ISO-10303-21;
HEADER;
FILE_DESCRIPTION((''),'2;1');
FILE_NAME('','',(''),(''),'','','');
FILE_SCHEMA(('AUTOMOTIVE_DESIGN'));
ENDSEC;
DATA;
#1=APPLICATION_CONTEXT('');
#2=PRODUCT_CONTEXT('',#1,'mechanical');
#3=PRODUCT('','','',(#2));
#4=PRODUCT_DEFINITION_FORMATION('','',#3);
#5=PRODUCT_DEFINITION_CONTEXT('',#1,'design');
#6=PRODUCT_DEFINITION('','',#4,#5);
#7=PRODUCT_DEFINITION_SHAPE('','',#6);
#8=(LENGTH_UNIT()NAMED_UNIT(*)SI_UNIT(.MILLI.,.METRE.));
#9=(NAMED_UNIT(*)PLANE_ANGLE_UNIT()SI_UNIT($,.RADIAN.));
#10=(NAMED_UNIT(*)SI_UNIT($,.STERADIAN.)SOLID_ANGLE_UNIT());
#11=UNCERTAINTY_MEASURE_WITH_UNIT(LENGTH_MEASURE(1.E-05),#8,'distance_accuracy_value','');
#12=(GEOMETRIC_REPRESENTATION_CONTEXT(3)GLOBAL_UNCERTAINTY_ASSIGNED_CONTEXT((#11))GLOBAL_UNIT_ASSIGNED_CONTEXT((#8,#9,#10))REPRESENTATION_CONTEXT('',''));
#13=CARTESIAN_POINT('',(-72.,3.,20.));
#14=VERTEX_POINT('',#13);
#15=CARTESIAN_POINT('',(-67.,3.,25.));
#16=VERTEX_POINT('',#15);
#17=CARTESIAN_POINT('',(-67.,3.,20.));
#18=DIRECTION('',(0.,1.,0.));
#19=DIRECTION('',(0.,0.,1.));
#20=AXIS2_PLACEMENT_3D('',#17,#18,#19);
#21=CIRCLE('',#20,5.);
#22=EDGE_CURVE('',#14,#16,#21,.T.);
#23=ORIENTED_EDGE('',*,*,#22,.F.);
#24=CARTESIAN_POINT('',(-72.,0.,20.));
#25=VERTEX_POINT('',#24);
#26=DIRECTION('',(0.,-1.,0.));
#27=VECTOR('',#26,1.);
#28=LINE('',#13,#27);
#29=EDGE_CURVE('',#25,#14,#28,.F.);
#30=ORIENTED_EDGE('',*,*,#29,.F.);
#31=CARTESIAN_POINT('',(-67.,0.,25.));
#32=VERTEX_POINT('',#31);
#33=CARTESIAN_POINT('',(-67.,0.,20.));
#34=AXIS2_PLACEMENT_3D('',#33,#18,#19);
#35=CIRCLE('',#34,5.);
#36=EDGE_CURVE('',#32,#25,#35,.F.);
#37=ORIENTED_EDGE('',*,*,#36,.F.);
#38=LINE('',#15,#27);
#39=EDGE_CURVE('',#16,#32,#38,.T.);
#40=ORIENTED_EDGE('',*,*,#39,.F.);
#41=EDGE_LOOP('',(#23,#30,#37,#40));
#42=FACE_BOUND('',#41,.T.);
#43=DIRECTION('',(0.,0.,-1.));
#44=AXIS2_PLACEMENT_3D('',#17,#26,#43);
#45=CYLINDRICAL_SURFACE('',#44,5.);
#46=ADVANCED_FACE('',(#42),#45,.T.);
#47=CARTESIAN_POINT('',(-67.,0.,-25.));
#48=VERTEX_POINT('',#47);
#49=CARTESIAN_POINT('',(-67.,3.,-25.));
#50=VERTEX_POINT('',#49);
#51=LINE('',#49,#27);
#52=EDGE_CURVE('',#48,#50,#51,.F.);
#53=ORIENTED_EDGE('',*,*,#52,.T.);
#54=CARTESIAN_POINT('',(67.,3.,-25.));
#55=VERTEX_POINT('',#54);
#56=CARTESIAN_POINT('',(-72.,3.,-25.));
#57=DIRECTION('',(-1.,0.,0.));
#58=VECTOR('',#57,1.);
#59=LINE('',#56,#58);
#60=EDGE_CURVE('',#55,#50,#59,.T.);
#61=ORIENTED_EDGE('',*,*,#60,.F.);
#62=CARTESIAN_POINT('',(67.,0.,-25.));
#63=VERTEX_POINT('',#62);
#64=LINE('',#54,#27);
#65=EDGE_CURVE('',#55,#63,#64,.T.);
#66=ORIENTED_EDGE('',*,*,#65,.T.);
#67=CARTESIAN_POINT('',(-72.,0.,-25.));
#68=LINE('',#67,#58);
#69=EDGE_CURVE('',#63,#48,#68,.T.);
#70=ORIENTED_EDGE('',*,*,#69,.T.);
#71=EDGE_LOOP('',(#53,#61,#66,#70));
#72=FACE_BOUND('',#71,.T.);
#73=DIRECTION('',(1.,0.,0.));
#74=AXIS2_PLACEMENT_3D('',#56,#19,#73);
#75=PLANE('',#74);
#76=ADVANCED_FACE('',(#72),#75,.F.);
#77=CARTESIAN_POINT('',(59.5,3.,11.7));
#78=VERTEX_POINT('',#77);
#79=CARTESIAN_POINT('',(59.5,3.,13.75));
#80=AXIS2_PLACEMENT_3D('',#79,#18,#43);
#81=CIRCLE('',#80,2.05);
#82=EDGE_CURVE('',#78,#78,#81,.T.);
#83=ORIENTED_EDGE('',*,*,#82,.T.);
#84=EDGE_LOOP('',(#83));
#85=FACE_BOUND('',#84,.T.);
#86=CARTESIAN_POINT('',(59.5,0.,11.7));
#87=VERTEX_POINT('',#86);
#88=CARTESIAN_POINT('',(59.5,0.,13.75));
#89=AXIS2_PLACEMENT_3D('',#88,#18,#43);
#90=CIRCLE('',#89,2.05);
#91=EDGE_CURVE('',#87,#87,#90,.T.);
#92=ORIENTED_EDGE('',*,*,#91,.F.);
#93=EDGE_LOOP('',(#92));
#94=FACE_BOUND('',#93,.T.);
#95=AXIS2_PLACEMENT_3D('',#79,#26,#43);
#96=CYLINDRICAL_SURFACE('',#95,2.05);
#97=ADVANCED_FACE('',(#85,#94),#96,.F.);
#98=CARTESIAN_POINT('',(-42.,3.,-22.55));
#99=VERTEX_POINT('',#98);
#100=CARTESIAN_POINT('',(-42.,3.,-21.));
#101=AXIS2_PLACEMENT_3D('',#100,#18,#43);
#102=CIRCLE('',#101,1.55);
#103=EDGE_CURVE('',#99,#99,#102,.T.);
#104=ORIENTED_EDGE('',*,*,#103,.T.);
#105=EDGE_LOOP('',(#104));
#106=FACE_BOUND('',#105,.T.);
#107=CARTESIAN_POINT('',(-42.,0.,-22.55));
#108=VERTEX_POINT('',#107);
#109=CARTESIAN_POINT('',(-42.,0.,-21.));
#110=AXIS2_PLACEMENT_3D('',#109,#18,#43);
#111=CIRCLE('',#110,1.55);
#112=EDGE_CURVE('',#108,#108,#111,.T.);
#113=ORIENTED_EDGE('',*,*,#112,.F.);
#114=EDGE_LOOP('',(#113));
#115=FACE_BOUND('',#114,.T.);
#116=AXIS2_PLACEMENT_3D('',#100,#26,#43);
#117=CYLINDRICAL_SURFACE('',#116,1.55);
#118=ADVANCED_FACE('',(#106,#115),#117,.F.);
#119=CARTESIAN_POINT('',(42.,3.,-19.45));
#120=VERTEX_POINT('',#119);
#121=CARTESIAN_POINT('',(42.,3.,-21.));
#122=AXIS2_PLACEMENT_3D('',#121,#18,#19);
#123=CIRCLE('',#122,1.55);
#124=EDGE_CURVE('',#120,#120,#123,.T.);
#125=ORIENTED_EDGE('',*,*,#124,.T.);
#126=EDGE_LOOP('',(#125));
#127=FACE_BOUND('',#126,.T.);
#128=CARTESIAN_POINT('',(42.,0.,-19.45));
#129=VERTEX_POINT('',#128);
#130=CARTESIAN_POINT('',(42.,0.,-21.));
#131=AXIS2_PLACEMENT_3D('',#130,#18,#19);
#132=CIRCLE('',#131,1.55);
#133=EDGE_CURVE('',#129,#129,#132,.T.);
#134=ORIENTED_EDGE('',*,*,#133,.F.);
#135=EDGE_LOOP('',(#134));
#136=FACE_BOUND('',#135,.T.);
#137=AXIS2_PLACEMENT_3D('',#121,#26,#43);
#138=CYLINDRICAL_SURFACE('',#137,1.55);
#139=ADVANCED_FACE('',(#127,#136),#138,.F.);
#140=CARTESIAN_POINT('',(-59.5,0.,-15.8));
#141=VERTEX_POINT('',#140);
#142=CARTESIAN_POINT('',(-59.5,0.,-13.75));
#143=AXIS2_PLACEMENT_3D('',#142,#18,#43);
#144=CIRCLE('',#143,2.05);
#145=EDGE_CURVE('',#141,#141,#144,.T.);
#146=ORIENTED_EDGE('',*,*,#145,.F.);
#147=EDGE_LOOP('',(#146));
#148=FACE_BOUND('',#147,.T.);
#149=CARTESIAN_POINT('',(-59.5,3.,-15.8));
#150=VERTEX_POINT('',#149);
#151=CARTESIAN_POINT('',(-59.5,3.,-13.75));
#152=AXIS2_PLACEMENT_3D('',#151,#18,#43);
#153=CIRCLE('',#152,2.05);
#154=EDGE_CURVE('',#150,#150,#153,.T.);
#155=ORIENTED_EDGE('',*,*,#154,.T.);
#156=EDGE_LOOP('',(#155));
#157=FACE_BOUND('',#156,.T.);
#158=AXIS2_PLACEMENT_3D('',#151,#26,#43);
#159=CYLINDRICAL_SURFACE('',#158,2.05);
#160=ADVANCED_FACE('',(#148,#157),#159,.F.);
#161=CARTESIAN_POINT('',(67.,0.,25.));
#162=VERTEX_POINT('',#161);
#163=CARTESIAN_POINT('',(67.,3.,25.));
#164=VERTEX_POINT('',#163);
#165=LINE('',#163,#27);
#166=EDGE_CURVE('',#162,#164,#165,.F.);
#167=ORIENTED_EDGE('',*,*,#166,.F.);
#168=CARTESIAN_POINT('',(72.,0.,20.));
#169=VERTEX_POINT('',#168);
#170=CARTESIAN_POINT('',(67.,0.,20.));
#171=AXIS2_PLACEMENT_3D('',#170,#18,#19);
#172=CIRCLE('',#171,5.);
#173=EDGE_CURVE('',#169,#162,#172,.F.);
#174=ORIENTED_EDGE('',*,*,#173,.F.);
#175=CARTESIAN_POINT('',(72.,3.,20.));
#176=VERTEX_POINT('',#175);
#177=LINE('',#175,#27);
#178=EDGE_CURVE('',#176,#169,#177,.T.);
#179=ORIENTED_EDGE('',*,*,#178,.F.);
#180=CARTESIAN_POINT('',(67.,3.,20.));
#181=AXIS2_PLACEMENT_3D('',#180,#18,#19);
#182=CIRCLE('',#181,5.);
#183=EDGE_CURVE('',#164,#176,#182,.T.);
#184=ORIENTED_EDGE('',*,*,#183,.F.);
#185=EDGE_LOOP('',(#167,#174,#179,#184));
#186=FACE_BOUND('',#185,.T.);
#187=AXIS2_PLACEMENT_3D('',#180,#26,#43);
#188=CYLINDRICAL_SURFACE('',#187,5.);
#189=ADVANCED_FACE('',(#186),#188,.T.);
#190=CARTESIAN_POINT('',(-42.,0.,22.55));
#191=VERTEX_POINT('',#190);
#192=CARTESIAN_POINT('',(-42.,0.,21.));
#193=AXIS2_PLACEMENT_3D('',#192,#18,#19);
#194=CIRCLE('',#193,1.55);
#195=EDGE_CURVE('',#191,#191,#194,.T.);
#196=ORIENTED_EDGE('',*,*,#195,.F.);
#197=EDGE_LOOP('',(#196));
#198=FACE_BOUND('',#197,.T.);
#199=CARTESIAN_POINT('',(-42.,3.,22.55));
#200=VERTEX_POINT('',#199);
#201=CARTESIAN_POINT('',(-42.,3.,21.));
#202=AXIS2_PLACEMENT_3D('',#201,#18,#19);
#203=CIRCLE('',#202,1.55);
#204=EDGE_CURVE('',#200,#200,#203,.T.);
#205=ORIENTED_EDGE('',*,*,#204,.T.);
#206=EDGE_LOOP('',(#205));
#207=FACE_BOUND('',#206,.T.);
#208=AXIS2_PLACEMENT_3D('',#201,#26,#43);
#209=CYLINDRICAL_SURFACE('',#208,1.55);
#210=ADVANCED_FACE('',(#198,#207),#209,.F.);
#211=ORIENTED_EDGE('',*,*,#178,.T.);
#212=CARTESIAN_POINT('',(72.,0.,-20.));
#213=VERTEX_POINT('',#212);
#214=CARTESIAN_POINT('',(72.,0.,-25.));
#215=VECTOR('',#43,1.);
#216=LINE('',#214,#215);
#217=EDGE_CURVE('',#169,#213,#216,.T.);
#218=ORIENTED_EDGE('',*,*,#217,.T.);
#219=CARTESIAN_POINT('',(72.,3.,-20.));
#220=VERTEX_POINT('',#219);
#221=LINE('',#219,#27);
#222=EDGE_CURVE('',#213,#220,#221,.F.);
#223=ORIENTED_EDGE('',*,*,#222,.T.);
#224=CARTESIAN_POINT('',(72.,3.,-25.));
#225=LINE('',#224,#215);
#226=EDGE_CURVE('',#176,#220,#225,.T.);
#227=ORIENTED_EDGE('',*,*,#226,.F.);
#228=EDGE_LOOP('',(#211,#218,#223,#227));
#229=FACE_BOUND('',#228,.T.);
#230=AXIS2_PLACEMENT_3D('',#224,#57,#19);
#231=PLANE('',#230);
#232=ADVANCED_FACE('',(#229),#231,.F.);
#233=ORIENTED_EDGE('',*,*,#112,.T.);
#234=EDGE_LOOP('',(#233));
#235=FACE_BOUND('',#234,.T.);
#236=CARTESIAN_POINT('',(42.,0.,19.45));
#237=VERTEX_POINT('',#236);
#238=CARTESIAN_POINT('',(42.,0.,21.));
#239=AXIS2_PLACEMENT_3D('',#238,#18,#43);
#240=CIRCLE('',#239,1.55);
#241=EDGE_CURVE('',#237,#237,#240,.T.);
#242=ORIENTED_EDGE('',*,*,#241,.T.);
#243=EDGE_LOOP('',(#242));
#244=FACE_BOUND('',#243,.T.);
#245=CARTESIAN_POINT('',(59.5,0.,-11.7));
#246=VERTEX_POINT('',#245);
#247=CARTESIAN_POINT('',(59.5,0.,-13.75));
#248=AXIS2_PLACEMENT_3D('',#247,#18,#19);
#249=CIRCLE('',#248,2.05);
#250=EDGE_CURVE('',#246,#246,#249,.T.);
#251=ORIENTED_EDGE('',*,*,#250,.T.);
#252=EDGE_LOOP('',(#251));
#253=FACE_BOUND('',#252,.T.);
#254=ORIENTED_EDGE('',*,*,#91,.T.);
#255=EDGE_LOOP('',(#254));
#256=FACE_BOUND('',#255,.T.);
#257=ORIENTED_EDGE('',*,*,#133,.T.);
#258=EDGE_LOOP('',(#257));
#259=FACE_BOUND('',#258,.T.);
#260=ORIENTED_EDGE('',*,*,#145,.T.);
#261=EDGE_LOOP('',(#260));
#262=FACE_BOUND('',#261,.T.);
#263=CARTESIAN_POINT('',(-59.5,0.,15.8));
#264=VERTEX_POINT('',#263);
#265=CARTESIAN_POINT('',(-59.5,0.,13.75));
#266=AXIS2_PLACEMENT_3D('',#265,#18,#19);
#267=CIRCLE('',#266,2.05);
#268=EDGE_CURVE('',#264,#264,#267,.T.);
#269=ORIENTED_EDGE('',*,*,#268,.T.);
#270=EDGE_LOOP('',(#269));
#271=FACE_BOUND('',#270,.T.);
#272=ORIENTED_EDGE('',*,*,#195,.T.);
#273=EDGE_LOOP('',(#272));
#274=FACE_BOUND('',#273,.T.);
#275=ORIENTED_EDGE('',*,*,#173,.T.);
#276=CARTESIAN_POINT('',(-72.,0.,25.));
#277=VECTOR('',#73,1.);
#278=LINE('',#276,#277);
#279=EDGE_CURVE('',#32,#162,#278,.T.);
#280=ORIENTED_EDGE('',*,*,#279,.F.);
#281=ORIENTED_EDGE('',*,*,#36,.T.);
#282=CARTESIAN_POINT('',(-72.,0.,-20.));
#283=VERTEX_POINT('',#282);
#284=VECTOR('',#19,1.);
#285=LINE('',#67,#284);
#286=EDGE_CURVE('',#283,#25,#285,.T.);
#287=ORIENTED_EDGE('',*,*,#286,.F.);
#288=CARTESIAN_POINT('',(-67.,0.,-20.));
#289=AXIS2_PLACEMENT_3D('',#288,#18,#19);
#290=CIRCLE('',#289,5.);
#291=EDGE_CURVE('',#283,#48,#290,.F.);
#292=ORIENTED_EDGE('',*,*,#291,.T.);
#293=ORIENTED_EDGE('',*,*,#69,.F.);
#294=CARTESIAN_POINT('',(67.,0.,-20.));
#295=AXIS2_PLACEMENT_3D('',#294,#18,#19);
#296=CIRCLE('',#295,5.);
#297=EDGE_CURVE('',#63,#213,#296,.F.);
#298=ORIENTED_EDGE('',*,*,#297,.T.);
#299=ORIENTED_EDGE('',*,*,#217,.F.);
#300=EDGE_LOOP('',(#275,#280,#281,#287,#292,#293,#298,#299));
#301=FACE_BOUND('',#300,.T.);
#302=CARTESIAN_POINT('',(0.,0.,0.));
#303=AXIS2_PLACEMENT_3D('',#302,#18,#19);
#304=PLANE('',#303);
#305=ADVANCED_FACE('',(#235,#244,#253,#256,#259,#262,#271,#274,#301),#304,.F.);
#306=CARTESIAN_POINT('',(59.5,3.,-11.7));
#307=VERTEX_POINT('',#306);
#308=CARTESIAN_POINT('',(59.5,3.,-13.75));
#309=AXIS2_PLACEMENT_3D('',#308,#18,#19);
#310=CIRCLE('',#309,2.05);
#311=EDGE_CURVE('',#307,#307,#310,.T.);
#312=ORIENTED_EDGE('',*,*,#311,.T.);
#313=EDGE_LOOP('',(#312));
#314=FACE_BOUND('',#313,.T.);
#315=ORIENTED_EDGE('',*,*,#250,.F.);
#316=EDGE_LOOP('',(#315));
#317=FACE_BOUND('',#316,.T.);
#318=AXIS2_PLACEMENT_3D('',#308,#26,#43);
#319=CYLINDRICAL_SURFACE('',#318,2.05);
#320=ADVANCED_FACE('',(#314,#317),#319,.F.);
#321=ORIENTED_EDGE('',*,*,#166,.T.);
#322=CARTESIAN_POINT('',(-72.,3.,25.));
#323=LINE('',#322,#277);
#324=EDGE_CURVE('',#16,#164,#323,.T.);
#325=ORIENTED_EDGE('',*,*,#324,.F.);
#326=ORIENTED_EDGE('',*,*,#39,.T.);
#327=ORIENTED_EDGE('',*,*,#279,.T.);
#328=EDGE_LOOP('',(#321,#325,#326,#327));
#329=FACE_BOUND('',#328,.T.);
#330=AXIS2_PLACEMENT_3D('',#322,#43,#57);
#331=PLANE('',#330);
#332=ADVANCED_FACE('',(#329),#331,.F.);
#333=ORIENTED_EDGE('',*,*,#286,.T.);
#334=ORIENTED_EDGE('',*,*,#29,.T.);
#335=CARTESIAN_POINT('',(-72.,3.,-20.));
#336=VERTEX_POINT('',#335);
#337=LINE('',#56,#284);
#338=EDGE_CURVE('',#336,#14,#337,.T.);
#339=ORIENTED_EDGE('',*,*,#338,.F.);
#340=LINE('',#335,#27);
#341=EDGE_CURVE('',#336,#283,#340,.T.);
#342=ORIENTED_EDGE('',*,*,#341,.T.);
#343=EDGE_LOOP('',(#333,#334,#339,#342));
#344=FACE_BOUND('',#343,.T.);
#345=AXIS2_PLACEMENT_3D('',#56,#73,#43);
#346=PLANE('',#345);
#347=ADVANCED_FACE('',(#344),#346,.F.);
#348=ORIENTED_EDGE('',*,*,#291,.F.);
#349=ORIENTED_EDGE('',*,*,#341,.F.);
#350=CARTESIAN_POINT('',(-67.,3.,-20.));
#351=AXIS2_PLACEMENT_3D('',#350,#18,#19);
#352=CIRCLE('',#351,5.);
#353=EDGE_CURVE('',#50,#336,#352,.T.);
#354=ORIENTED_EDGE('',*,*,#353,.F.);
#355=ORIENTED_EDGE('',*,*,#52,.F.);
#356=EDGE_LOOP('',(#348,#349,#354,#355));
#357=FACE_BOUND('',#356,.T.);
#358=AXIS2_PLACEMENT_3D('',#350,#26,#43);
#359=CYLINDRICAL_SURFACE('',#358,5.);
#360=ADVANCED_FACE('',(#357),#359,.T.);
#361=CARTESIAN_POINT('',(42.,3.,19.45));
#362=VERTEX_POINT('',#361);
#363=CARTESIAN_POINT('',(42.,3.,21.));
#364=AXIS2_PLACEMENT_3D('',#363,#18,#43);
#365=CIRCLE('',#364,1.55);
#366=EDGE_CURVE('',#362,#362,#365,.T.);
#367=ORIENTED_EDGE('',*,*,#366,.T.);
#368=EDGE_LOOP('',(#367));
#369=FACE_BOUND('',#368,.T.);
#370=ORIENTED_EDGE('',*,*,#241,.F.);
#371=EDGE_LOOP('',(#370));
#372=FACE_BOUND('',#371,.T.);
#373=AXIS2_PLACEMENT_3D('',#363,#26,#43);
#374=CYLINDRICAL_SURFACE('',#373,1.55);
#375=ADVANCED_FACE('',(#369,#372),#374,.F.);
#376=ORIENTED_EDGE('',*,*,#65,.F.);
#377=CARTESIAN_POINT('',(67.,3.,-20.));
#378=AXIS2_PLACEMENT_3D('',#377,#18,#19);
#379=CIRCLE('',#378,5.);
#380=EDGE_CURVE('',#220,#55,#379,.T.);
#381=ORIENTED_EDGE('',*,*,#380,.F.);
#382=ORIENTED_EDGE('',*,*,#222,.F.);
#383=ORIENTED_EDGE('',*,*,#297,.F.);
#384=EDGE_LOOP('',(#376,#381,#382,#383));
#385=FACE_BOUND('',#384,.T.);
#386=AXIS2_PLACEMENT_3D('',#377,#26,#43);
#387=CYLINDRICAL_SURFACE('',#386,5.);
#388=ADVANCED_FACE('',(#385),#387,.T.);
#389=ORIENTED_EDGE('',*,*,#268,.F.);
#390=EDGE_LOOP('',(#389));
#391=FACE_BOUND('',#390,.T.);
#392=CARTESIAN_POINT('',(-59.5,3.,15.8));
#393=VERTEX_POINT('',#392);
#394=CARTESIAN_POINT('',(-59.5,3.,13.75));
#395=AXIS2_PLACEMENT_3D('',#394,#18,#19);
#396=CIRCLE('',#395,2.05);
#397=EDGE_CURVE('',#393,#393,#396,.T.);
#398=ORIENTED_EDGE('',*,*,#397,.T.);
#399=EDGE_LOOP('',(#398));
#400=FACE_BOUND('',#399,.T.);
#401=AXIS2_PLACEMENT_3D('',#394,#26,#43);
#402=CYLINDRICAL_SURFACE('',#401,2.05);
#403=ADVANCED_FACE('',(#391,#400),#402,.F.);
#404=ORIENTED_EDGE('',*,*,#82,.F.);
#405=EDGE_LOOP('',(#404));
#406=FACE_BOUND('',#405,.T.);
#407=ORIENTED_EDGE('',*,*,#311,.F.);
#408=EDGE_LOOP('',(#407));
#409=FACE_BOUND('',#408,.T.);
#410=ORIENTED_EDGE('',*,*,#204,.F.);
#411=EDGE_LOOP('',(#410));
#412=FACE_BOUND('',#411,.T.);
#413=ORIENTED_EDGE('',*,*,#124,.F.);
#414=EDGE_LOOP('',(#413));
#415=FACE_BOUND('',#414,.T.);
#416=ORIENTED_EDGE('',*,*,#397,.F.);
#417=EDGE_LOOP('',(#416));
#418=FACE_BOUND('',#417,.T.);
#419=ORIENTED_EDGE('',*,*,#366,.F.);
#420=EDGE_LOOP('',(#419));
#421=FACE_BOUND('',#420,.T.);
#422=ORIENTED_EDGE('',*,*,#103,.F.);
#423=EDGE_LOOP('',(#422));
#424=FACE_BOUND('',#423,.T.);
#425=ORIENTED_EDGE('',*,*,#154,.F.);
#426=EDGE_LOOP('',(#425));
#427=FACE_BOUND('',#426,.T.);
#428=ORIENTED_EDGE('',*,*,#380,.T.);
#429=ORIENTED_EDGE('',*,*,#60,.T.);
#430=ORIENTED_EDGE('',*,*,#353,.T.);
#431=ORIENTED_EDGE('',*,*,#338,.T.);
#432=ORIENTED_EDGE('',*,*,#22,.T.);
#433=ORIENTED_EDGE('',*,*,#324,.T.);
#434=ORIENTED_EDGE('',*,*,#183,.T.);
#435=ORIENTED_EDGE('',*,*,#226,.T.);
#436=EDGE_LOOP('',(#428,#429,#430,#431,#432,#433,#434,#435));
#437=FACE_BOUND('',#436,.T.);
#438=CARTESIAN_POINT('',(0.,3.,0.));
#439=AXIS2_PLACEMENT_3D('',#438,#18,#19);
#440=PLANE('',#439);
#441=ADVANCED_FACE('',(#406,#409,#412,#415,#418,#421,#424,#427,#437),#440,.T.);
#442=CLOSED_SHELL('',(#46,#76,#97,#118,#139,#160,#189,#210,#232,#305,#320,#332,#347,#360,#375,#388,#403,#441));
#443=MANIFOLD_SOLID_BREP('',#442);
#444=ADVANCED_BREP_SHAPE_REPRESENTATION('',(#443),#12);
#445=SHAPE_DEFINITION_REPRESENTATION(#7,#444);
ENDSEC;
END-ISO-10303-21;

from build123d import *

# Parameters (mm, degrees)
SKETCH1_W           = 144
SKETCH1_H           = 50
SKETCH1_R           = 2.05
SKETCH1_R_2         = 1.55
BOSS_EXTRUDE1_DEPTH = 3
FILLET1_R           = 5


with BuildPart() as part:
    # Sketch1 → Boss-Extrude1 (new body)
    with BuildSketch(Plane(origin=(0, 0, 0), x_dir=(1, 0, 0), z_dir=(0, 1, 0))):
        Rectangle(SKETCH1_W, SKETCH1_H)
        with Locations(Location((59.5, 13.75, 0), (0, 0, 270))):
            Circle(SKETCH1_R, mode=Mode.SUBTRACT)
        with Locations(Location((42, 21, 0), (0, 0, 270))):
            Circle(SKETCH1_R_2, mode=Mode.SUBTRACT)
        with Locations(Location((-42, 21, 0), (0, 0, 90))):
            Circle(SKETCH1_R_2, mode=Mode.SUBTRACT)
        with Locations(Location((-59.5, 13.75, 0), (0, 0, 90))):
            Circle(SKETCH1_R, mode=Mode.SUBTRACT)
        with Locations(Location((-59.5, -13.75, 0), (0, 0, 270))):
            Circle(SKETCH1_R, mode=Mode.SUBTRACT)
        with Locations(Location((-42, -21, 0), (0, 0, 270))):
            Circle(SKETCH1_R_2, mode=Mode.SUBTRACT)
        with Locations(Location((42, -21, 0), (0, 0, 90))):
            Circle(SKETCH1_R_2, mode=Mode.SUBTRACT)
        with Locations(Location((59.5, -13.75, 0), (0, 0, 90))):
            Circle(SKETCH1_R, mode=Mode.SUBTRACT)
    extrude(amount=BOSS_EXTRUDE1_DEPTH)

    # Fillet1
    fillet1_edges = [part.edges().sort_by_distance(p)[0] for p in [
        (72, 1.5, 25),
        (-72, 1.5, 25),
        (-72, 1.5, -25),
        (72, 1.5, -25),
    ]]
    fillet(fillet1_edges, radius=FILLET1_R)


solid = part.part
